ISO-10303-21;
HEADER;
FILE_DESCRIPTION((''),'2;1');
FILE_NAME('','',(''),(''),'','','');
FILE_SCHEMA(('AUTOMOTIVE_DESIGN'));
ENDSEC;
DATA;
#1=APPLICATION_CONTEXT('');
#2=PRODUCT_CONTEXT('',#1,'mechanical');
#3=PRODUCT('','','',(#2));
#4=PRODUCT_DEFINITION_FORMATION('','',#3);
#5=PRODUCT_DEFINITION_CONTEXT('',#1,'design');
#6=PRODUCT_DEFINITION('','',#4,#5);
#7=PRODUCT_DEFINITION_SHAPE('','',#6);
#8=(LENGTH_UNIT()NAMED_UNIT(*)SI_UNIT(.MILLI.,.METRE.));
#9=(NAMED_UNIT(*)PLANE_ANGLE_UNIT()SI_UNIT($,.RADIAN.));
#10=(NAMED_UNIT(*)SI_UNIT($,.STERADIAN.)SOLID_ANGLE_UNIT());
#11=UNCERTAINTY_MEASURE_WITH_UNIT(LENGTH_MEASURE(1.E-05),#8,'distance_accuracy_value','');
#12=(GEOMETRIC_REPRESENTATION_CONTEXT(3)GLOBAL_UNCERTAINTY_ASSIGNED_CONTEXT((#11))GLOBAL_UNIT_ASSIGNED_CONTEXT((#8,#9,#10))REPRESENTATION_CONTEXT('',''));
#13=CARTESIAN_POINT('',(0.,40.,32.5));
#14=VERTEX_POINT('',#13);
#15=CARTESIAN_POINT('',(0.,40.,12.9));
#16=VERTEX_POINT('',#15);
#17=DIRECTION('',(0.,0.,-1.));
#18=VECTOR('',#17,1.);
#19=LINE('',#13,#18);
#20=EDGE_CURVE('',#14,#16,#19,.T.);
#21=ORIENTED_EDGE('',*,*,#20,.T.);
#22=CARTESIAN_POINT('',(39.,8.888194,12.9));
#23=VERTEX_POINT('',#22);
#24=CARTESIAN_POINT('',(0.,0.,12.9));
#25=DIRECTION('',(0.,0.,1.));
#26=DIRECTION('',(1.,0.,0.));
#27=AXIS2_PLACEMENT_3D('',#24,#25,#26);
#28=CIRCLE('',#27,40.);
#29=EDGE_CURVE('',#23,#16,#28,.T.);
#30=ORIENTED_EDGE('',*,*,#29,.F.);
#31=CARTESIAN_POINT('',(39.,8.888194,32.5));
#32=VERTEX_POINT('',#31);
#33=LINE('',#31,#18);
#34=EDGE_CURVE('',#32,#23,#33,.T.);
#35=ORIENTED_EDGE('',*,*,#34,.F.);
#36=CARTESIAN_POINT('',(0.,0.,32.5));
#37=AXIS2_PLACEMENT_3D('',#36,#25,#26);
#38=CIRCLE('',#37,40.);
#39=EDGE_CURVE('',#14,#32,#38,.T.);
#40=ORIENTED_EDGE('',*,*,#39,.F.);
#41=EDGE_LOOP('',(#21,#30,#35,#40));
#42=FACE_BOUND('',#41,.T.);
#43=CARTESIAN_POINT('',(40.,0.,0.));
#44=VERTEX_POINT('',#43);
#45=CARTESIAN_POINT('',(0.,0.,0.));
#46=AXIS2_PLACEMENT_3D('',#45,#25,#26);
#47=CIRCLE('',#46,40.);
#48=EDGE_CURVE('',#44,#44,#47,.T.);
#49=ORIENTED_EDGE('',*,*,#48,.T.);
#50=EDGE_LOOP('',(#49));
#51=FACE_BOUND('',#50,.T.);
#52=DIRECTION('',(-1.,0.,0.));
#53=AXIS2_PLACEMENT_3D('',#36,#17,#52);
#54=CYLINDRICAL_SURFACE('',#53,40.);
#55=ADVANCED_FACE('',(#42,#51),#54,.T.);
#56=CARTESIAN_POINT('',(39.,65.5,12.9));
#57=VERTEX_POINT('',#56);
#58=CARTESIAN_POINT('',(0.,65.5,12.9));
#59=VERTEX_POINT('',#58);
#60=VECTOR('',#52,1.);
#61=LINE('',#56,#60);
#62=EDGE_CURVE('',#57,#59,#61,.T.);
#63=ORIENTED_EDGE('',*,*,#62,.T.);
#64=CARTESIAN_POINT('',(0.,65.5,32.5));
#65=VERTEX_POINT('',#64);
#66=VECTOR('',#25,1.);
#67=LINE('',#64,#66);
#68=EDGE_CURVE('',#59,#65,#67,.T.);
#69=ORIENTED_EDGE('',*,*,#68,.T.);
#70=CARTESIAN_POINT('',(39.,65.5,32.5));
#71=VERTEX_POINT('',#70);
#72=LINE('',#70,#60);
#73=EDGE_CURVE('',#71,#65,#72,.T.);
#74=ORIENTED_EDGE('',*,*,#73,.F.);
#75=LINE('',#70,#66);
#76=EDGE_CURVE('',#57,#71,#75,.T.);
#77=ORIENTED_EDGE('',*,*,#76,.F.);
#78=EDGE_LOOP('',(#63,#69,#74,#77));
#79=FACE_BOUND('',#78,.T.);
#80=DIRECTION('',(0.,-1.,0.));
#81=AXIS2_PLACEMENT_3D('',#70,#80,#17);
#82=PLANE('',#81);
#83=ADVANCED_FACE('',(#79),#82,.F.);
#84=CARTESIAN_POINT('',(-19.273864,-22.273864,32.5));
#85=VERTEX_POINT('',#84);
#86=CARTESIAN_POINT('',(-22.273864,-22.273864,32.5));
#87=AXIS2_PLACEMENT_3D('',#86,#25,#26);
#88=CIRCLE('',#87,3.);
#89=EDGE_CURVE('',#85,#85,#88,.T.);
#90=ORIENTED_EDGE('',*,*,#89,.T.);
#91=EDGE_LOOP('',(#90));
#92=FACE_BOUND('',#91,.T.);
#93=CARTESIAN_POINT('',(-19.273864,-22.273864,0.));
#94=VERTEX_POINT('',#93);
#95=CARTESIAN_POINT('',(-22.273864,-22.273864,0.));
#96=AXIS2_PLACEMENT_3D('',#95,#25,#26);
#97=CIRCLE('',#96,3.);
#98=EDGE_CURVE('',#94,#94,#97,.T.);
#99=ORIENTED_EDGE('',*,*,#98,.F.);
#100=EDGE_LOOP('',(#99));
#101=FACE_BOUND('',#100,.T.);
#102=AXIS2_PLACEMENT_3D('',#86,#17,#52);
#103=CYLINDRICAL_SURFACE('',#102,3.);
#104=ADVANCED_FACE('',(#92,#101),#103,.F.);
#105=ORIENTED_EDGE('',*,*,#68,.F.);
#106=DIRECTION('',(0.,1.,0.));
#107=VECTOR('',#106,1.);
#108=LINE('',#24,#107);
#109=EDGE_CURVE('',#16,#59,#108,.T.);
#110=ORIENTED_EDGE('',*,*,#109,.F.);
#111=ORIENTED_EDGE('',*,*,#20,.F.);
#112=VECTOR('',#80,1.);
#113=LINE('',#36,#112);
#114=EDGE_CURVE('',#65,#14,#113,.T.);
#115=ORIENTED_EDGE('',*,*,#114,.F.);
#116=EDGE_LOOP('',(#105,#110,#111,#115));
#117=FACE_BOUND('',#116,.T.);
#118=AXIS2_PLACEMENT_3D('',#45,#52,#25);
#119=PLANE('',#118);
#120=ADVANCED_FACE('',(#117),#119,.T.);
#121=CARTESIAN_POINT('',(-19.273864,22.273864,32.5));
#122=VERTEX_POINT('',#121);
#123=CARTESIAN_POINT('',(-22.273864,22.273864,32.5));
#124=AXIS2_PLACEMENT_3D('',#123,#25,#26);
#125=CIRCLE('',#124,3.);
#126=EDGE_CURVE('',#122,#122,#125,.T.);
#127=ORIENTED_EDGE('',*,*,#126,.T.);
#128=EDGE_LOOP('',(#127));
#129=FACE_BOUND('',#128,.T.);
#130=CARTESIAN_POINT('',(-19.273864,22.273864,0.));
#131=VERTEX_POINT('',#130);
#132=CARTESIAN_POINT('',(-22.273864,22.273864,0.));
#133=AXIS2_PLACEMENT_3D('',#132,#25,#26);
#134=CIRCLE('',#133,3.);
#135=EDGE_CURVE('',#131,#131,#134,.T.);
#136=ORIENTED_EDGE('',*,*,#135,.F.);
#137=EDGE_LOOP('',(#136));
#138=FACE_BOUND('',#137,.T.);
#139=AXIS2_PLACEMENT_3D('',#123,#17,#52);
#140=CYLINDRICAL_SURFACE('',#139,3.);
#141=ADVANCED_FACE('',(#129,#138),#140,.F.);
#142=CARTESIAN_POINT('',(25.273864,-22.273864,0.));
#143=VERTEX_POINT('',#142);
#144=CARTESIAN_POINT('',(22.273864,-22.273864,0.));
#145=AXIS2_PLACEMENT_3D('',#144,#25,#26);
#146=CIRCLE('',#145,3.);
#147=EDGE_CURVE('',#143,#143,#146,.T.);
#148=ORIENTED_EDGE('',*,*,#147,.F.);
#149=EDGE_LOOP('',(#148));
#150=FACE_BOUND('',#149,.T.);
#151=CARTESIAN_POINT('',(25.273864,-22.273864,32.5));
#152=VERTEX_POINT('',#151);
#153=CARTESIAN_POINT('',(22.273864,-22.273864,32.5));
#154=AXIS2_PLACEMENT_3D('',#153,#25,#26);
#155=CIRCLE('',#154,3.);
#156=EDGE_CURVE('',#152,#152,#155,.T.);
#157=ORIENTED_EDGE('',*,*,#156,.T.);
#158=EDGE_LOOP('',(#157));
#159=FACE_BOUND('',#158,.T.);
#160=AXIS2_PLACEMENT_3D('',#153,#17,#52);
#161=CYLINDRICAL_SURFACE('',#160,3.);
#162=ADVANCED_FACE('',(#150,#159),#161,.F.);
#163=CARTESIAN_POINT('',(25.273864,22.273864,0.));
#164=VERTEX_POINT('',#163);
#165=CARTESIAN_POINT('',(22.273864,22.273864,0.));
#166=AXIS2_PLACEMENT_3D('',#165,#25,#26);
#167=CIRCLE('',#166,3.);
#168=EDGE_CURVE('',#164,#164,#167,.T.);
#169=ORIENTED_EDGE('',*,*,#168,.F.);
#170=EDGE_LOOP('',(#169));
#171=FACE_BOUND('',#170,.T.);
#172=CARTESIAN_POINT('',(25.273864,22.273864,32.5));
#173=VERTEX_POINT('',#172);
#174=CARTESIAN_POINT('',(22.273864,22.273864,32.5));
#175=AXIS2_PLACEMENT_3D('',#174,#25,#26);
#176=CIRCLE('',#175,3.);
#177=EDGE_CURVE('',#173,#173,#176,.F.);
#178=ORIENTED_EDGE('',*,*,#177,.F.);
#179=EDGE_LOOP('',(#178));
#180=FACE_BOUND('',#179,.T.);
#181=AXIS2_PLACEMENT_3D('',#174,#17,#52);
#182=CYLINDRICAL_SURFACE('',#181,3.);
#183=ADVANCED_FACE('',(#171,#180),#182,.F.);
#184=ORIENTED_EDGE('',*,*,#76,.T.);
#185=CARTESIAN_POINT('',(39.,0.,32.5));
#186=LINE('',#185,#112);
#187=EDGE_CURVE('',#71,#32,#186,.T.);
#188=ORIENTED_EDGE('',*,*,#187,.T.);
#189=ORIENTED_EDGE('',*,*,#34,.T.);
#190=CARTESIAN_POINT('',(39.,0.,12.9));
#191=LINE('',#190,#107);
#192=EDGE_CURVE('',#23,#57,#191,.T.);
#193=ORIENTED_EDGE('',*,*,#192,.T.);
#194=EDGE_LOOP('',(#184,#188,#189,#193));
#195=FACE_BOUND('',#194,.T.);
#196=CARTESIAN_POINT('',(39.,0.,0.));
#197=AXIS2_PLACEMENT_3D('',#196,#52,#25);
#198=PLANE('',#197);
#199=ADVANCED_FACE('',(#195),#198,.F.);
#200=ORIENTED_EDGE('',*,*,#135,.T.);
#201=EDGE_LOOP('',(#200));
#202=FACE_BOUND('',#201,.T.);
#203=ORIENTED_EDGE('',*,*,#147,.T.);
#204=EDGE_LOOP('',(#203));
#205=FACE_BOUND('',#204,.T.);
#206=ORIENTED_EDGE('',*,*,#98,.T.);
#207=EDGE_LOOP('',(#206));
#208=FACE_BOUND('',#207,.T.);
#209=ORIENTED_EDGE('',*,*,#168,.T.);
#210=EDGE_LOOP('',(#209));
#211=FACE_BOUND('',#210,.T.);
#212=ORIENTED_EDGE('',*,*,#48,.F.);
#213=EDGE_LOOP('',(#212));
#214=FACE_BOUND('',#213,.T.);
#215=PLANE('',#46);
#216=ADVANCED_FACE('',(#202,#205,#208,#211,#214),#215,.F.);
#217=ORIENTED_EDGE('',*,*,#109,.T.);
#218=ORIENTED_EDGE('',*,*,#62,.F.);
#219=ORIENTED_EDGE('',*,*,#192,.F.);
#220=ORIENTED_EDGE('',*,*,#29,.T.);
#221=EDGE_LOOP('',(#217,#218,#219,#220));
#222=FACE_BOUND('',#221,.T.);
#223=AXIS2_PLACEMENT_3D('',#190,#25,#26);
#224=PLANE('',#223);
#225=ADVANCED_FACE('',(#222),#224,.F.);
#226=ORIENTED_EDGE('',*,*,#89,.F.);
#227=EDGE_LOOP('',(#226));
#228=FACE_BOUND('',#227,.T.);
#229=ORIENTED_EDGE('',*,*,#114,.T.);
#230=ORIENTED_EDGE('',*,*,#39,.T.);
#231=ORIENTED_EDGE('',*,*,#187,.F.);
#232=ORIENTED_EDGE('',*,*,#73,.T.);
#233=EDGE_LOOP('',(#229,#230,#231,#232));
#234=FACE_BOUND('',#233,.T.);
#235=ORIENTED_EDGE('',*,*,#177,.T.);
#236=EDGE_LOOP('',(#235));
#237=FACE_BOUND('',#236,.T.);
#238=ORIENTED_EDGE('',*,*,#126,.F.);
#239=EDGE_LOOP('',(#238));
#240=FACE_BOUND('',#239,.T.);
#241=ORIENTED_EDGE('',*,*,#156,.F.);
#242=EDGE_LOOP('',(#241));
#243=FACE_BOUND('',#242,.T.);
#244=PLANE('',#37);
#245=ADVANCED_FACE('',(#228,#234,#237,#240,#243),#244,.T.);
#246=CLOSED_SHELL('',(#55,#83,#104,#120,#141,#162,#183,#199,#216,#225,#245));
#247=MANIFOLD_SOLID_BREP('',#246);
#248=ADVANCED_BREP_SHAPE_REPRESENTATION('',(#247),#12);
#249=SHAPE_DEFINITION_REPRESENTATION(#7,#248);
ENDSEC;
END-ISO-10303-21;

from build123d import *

# Parameters (mm, degrees)
SKETCH_1_R          = 40
SKETCH_1_R_2        = 3
EXTRUDE_1_DEPTH     = 32.5
SKETCH_3_W          = 19.6
SKETCH_3_H          = 65.5
EXTRUDE_2_DEPTH     = 39
SKETCH_4_R          = 3
CUT_EXTRUDE_2_DEPTH = 57


with BuildPart() as part:
    # 草图1 → 凸台-拉伸1 (new body)
    with BuildSketch(Plane.XY):
        Circle(SKETCH_1_R)
        with Locations((-22.273863607, 22.273863607)):
            Circle(SKETCH_1_R_2, mode=Mode.SUBTRACT)
        with Locations((22.273863607, 22.273863607)):
            Circle(SKETCH_1_R_2, mode=Mode.SUBTRACT)
        with Locations((22.273863607, -22.273863607)):
            Circle(SKETCH_1_R_2, mode=Mode.SUBTRACT)
        with Locations((-22.273863607, -22.273863607)):
            Circle(SKETCH_1_R_2, mode=Mode.SUBTRACT)
    extrude(amount=EXTRUDE_1_DEPTH)

    # 草图3 → 凸台-拉伸2 (add)
    with BuildSketch(Plane(origin=(0, 0, 0), x_dir=(0, 0, -1), z_dir=(1, 0, 0))):
        with Locations((-22.7, 32.75)):
            Rectangle(SKETCH_3_W, SKETCH_3_H)
    extrude(amount=EXTRUDE_2_DEPTH)

    # 草图4 → 切除-拉伸2 (cut)
    with BuildSketch(Plane.XY):
        with Locations((22.273863607, 22.273863607)):
            Circle(SKETCH_4_R)
    extrude(amount=CUT_EXTRUDE_2_DEPTH, mode=Mode.SUBTRACT)


solid = part.part
